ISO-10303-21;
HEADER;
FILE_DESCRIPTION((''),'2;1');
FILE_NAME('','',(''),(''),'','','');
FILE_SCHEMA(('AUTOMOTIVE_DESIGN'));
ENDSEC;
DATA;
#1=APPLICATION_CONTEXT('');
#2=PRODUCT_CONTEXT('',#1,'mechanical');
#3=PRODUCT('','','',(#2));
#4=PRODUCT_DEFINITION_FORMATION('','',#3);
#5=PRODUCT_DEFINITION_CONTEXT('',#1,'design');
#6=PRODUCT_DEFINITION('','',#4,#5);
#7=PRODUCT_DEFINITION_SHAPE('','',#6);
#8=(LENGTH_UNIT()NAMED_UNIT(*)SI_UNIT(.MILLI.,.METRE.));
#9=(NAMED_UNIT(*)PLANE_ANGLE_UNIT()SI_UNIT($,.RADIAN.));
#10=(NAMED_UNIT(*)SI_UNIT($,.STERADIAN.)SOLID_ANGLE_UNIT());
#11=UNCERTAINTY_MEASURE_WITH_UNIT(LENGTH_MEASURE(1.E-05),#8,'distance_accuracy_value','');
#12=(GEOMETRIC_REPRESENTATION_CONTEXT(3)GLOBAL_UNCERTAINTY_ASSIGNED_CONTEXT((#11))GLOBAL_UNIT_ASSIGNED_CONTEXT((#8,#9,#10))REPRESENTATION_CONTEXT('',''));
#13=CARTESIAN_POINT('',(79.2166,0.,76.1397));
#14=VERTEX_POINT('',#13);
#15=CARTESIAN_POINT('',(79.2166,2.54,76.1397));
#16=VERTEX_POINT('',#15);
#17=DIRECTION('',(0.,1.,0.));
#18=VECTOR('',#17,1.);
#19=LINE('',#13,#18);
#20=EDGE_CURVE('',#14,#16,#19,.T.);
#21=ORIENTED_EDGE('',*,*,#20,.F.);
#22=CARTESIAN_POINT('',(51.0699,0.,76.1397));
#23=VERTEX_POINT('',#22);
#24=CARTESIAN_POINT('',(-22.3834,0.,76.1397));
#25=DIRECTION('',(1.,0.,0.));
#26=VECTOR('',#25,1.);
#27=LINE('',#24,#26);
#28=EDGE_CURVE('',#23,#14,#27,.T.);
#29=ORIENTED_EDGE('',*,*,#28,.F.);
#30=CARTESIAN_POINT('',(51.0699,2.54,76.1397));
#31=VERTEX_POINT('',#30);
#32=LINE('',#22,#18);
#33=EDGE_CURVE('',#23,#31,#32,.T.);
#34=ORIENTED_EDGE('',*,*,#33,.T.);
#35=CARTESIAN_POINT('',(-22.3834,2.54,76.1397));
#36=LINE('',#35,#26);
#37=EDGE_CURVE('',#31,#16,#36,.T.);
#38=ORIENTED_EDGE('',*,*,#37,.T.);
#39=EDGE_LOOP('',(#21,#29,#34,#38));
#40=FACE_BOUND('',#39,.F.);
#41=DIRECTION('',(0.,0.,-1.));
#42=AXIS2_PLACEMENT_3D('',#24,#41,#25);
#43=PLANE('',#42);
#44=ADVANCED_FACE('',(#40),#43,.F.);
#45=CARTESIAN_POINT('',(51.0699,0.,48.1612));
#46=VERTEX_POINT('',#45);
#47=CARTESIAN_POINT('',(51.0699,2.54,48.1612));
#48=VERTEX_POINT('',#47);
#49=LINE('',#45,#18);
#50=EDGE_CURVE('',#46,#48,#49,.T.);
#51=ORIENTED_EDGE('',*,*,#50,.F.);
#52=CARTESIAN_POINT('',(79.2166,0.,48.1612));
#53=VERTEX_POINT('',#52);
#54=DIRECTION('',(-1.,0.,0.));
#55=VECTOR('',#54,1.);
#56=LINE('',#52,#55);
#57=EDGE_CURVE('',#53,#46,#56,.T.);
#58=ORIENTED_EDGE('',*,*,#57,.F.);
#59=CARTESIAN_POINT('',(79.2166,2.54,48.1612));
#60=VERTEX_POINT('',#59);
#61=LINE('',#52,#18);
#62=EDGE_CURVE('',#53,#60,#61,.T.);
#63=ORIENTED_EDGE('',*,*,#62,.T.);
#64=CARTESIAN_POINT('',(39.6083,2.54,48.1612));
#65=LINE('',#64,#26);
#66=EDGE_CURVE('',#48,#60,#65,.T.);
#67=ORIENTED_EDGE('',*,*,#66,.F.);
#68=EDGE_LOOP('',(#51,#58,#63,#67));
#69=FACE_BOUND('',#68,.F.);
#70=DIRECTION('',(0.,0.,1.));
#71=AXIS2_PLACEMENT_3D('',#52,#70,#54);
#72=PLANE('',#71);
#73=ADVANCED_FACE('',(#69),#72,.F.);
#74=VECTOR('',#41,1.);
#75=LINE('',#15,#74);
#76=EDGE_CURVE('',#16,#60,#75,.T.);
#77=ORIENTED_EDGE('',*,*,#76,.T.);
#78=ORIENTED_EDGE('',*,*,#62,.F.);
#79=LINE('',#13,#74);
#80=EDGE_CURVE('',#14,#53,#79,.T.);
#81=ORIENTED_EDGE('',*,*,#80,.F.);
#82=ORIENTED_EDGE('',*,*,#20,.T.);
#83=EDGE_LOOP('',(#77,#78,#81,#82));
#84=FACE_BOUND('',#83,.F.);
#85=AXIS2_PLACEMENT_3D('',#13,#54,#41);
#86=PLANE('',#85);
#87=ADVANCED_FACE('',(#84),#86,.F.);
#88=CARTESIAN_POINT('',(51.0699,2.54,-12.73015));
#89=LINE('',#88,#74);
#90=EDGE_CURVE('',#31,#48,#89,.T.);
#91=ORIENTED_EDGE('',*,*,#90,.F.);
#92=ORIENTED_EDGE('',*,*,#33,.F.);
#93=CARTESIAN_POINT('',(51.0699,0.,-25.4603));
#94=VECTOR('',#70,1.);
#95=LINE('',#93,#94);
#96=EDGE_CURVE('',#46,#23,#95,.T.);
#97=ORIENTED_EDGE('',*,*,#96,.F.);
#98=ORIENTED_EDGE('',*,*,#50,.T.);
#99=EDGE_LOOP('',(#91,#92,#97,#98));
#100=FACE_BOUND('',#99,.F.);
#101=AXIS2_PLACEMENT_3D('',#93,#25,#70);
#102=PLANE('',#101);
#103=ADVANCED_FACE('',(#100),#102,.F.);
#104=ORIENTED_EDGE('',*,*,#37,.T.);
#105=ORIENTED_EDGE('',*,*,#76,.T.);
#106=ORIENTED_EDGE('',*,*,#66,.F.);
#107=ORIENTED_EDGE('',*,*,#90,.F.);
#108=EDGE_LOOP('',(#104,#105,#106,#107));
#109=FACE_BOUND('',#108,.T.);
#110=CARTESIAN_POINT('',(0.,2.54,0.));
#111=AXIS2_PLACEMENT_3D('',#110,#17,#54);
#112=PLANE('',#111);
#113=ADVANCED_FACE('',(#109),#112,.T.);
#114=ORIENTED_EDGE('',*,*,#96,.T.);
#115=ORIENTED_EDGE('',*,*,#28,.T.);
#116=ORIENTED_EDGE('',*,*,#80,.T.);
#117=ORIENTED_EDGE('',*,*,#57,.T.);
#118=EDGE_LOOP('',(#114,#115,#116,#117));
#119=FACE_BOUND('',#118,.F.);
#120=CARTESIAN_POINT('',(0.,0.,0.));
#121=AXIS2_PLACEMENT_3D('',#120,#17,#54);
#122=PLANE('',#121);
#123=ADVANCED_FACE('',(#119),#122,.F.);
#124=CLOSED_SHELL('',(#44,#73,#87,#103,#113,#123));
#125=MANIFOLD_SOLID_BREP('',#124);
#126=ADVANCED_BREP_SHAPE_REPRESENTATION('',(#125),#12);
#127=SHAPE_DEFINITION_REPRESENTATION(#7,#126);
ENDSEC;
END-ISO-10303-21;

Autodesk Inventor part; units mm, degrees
ref_plane "YZ Plane" through (0, 0, 0) normal (1, 0, 0) x (0, 1, 0)
ref_plane "XZ Plane" through (0, 0, 0) normal (0, 1, 0) x (-1, 0, 0)
ref_plane "XY Plane" through (0, 0, 0) normal (0, 0, 1) x (1, 0, 0)
sketch "Sketch1" plane through (0, 0, 0) normal (0, 1, 0) x (-1, 0, 0)
  line L0 (22.3834, 76.1397) -> (-79.2166, 76.1397)
  line L1 (-79.2166, 76.1397) -> (-79.2166, -25.4603)
  line L2 (-79.2166, -25.4603) -> (22.3834, -25.4603)
  line L3 (22.3834, -25.4603) -> (22.3834, 76.1397)
  point P0 (0, 0)
  dimension "d0" = 101.6
  dimension "d1" = 101.6
extrude "Extrusion1" add sketch "Sketch1" along normal blind 2.54
sketch "Sketch2" plane through (0, 0, 0) normal (0, -1, 0) x (1, 0, 0)
  line L0 (-22.3834, 76.1397) -> (79.2166, 76.1397) projected
  line L1 (79.2166, -25.4603) -> (-22.3834, -25.4603) projected
  line L2 (51.0699, 76.1397) -> (-22.3834, 76.1397)
  line L3 (-22.3834, 76.1397) -> (-22.3834, -25.4603)
  line L4 (-22.3834, -25.4603) -> (51.0699, -25.4603)
  line L5 (51.0699, -25.4603) -> (51.0699, 76.1397)
  point P0 (0, 0)
extrude "Extrusion2" cut sketch "Sketch2" against normal blind 25.4
sketch "Sketch3" plane through (0, 0, 0) normal (0, -1, 0) x (1, 0, 0)
  line L0 (79.2166, 76.1397) -> (79.2166, -25.4603) projected
  line L1 (51.0699, -25.4603) -> (51.0699, 76.1397) projected
  line L2 (79.2166, 48.1612) -> (51.0699, 48.1612)
  line L3 (51.0699, 48.1612) -> (51.0699, -25.4603)
  line L4 (51.0699, -25.4603) -> (79.2166, -25.4603)
  line L5 (79.2166, -25.4603) -> (79.2166, 48.1612)
  point P0 (0, 0)
extrude "Extrusion3" cut sketch "Sketch3" against normal blind 25.4
equation "\"d1\" = d0"
properties part number "motor holder"
